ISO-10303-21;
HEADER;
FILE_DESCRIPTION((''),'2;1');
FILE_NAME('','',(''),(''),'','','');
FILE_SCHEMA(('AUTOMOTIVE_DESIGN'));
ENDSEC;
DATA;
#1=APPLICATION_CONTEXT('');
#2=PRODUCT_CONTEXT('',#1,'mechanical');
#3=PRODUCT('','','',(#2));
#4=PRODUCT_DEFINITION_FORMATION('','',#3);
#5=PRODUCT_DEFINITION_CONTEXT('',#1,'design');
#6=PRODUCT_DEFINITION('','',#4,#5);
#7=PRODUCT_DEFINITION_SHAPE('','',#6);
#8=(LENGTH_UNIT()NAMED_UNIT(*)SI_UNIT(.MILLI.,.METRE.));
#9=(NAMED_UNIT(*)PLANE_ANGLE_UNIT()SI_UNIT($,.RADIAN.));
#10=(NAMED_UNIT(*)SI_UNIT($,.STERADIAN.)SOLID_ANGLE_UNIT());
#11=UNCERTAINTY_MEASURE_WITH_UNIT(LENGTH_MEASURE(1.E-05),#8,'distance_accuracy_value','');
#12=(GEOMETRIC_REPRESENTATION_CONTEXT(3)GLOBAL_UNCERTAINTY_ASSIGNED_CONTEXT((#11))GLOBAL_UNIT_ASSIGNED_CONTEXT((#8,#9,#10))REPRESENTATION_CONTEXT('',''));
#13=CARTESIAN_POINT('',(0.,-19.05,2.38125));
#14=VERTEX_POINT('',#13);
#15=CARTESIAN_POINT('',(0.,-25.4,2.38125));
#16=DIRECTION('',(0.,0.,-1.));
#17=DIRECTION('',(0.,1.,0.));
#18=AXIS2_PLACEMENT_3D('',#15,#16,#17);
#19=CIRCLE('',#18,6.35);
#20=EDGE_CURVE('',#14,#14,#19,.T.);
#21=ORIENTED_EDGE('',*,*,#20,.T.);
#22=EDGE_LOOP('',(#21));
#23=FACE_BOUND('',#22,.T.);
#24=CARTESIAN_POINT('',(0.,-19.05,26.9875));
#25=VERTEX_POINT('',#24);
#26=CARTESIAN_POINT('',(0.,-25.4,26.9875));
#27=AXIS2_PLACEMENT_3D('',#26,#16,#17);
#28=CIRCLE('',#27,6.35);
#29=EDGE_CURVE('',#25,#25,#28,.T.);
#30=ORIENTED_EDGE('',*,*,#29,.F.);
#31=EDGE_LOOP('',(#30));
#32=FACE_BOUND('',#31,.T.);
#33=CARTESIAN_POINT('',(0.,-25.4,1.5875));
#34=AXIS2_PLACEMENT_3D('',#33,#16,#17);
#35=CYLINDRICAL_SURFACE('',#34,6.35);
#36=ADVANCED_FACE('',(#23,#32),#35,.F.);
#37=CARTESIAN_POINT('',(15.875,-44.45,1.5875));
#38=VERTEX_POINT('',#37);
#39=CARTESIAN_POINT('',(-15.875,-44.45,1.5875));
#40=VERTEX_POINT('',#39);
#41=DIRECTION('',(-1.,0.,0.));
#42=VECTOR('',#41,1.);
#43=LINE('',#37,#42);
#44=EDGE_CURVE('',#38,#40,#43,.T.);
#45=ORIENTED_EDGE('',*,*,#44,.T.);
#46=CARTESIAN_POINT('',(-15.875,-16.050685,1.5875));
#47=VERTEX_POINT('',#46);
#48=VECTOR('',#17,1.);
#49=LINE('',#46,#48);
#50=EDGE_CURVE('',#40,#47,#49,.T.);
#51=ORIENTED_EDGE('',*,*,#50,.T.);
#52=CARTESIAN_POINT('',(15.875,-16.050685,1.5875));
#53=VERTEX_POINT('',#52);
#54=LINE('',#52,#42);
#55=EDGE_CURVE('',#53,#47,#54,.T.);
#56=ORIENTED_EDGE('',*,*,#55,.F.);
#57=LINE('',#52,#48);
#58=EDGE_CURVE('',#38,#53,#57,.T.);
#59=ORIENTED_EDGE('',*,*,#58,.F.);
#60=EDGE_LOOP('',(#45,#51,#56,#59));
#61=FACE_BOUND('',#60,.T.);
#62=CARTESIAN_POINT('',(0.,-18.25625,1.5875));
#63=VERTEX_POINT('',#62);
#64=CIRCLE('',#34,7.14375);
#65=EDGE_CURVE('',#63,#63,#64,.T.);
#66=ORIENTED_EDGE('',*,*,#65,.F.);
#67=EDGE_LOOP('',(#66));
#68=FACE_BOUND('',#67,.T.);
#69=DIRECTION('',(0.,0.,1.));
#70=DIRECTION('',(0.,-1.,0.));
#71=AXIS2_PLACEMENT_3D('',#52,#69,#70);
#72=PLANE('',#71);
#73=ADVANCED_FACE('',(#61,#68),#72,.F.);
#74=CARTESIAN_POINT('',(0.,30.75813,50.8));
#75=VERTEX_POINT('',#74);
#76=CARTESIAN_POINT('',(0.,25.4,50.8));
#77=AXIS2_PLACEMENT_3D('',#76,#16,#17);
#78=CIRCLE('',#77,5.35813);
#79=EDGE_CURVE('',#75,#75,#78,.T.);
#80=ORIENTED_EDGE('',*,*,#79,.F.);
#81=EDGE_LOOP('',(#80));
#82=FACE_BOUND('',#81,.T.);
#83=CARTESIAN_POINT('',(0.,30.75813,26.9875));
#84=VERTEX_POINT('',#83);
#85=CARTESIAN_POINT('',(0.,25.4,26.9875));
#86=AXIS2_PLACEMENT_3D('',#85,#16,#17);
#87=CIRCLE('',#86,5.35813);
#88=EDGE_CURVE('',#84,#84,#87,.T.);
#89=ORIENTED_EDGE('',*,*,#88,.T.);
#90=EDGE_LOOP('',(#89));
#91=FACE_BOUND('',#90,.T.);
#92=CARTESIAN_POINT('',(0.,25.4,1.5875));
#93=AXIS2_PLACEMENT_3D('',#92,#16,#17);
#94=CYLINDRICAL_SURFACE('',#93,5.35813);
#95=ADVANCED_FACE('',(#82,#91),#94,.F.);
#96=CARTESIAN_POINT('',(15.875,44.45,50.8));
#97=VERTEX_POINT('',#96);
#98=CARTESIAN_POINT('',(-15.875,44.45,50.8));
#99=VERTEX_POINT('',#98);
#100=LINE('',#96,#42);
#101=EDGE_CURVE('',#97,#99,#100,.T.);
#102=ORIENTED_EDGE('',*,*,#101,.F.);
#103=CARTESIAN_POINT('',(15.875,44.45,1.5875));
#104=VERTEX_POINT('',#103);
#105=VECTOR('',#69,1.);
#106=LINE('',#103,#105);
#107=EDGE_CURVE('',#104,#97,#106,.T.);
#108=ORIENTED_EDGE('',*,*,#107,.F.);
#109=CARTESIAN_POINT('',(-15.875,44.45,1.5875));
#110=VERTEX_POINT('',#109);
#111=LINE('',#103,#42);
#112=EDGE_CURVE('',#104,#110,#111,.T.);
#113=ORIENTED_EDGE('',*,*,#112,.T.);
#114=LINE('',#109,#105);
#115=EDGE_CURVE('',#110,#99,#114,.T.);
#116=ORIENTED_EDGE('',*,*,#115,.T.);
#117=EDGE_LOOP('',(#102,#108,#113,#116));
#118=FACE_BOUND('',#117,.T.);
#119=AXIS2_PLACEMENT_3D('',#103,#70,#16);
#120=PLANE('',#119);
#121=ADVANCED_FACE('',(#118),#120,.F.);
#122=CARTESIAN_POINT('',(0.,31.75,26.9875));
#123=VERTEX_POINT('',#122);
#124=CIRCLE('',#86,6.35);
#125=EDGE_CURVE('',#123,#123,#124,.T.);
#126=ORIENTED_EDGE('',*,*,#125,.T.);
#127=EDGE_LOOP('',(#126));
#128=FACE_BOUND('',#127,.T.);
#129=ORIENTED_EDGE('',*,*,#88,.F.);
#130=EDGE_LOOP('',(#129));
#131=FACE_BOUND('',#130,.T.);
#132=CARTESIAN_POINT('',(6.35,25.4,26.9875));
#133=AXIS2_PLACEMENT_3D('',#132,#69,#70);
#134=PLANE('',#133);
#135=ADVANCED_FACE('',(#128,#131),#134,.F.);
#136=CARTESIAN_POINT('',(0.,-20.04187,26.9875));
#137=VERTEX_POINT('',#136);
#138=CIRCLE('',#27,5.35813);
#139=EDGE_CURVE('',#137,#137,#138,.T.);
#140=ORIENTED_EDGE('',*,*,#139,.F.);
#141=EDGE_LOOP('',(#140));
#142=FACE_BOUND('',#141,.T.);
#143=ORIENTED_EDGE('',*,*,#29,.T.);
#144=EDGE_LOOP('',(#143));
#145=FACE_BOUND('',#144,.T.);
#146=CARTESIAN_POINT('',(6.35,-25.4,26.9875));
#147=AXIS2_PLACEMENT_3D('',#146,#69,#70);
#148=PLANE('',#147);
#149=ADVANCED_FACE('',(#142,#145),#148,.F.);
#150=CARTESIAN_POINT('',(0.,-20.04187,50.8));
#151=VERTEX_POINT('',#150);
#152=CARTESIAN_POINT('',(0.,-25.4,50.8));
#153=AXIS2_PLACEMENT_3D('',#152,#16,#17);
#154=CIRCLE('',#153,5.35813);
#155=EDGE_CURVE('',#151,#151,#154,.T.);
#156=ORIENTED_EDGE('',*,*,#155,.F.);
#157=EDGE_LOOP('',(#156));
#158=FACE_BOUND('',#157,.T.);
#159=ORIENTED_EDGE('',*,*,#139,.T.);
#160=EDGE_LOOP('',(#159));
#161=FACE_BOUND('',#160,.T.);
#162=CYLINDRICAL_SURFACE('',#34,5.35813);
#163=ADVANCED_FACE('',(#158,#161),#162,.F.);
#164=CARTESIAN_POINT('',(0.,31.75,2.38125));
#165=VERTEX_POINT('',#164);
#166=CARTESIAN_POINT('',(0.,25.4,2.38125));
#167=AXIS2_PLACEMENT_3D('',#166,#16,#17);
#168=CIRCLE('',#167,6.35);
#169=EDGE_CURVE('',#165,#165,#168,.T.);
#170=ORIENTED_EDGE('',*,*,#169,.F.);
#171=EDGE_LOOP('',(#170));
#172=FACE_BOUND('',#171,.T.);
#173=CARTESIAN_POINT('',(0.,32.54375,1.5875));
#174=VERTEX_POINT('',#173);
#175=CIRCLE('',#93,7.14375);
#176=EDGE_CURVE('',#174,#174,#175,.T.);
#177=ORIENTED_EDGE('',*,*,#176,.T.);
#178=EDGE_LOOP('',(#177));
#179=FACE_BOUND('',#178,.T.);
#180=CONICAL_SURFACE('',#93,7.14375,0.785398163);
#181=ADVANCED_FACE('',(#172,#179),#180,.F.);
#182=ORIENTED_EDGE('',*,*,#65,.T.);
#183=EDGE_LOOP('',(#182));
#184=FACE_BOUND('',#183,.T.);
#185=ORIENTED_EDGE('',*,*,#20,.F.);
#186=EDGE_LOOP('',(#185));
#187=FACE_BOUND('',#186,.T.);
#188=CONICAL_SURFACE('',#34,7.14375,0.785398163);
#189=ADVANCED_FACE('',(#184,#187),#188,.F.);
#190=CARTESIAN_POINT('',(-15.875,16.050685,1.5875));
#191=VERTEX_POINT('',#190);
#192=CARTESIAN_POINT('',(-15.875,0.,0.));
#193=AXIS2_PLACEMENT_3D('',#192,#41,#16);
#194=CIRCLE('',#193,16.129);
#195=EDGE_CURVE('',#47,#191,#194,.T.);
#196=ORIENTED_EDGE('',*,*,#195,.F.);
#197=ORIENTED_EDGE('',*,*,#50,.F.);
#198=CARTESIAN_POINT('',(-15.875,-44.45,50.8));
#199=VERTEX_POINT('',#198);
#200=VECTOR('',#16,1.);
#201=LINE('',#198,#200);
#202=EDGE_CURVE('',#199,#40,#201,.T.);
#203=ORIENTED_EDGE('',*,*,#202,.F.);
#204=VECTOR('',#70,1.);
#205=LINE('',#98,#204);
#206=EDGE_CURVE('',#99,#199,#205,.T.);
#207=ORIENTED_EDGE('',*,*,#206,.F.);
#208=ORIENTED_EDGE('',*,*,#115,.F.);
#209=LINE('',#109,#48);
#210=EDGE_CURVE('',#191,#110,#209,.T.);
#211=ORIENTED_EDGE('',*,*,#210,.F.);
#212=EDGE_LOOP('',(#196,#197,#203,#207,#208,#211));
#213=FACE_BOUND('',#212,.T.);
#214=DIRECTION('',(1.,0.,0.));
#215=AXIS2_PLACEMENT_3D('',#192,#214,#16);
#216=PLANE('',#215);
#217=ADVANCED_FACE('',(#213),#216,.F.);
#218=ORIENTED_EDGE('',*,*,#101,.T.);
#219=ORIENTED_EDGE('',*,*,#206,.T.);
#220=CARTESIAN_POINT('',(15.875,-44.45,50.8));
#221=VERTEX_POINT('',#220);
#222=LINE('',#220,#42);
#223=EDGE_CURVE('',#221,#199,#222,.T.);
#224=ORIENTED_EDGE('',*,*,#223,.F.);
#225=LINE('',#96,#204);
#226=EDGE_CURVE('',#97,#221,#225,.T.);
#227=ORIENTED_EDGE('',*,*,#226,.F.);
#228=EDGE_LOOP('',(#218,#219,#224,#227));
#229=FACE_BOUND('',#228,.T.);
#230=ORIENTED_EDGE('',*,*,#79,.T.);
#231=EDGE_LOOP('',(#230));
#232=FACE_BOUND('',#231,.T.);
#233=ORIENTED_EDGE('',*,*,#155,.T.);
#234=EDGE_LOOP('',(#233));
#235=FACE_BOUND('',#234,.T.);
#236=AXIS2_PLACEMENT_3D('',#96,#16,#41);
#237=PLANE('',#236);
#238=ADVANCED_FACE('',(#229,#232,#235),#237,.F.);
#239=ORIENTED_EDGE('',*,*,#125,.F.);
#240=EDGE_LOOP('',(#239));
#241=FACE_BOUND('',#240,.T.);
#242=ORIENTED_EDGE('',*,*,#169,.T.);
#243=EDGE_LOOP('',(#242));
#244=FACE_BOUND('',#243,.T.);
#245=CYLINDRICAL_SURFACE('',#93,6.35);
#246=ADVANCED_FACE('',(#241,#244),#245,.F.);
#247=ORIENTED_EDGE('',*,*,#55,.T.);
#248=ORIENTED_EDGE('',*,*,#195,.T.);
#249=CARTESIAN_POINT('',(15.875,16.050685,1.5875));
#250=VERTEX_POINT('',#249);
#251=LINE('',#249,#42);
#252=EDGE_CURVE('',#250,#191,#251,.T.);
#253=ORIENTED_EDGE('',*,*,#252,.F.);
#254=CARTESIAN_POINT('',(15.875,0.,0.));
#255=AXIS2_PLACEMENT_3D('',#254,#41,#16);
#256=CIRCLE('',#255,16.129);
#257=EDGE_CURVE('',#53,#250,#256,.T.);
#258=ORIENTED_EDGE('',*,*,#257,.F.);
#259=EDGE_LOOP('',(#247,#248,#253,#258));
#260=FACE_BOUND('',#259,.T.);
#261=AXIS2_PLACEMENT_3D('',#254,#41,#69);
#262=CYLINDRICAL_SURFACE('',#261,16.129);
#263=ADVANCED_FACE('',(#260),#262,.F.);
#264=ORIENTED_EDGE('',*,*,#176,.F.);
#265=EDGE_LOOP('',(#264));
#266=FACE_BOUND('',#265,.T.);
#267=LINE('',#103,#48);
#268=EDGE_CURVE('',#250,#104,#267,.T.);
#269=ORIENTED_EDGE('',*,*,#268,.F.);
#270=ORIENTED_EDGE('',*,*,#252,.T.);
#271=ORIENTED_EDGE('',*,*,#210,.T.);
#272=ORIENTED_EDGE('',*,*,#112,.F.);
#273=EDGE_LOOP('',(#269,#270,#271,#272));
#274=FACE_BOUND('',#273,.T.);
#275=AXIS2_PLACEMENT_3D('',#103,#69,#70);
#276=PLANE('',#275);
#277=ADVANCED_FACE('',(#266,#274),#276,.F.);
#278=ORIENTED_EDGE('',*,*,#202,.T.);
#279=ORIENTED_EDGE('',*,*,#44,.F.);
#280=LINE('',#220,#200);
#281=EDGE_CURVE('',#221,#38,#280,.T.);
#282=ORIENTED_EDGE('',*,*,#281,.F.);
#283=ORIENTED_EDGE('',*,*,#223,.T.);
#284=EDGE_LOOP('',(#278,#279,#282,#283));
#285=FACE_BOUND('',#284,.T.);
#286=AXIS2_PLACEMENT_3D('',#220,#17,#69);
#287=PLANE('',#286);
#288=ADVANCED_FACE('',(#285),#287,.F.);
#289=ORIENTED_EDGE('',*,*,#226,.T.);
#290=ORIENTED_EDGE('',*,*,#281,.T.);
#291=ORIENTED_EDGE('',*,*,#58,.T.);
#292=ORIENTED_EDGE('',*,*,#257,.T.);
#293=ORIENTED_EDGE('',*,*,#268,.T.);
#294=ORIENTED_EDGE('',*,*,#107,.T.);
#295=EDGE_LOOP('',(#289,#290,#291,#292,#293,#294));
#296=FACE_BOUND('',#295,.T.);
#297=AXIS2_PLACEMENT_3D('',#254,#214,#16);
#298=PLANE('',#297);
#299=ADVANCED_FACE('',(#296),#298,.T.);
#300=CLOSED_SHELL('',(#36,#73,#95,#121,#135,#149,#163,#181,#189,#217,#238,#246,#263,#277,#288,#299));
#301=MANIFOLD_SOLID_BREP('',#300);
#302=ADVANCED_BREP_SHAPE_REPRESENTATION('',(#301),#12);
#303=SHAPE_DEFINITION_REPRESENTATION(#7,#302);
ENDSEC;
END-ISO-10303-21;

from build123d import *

# Parameters (mm, degrees)
BASE_EXTRUDE_DEPTH               = 15.875
F_1_2_13_TAPPED_HOLE2_AT_2_COUNT = 2
F_1_2_13_TAPPED_HOLE2_AT_2_PITCH = 50.8


with BuildPart() as part:
    # Sketch1 → Base-Extrude (new, symmetric)
    with BuildSketch(Plane(origin=(0, 0, 0), x_dir=(0, 0, -1), z_dir=(1, 0, 0))):
        with BuildLine():
            Line((-50.8, 44.45), (-50.8, -44.45))
            Line((-50.8, -44.45), (-1.5875, -44.45))
            Line((-1.5875, -44.45), (-1.5875, -16.050684869))
            ThreePointArc((-1.5875, -16.050684869), (-16.129, 0), (-1.5875, 16.050684869))
            Line((-1.5875, 16.050684869), (-1.5875, 44.45))
            Line((-1.5875, 44.45), (-50.8, 44.45))
        make_face()
    extrude(amount=BASE_EXTRUDE_DEPTH, both=True)

    # Sketch6 → 1/2-13 Tapped Hole2 (revolve, cut)
    with BuildSketch(Plane(origin=(0, 25.4, 1.5875), x_dir=(0, 1, 0), z_dir=(1, 0, 0))):
        Polygon((0, 0), (0, 49.2125), (5.35813, 49.2125), (5.35813, 25.4), (6.35, 25.4), (6.35, 0.79375), (7.14375, 0), align=None)
    f_1_2_13_tapped_hole2 = revolve(axis=Axis((0, 25.4, -4.7625), (0, 0, 1)), mode=Mode.SUBTRACT)

    # 1/2-13 Tapped Hole2 at 2: 1/2-13 Tapped Hole2 ×2
    with Locations(*[(0, -i * F_1_2_13_TAPPED_HOLE2_AT_2_PITCH, 0) for i in range(1, F_1_2_13_TAPPED_HOLE2_AT_2_COUNT)]):
        add(f_1_2_13_tapped_hole2, mode=Mode.SUBTRACT)


solid = part.part
